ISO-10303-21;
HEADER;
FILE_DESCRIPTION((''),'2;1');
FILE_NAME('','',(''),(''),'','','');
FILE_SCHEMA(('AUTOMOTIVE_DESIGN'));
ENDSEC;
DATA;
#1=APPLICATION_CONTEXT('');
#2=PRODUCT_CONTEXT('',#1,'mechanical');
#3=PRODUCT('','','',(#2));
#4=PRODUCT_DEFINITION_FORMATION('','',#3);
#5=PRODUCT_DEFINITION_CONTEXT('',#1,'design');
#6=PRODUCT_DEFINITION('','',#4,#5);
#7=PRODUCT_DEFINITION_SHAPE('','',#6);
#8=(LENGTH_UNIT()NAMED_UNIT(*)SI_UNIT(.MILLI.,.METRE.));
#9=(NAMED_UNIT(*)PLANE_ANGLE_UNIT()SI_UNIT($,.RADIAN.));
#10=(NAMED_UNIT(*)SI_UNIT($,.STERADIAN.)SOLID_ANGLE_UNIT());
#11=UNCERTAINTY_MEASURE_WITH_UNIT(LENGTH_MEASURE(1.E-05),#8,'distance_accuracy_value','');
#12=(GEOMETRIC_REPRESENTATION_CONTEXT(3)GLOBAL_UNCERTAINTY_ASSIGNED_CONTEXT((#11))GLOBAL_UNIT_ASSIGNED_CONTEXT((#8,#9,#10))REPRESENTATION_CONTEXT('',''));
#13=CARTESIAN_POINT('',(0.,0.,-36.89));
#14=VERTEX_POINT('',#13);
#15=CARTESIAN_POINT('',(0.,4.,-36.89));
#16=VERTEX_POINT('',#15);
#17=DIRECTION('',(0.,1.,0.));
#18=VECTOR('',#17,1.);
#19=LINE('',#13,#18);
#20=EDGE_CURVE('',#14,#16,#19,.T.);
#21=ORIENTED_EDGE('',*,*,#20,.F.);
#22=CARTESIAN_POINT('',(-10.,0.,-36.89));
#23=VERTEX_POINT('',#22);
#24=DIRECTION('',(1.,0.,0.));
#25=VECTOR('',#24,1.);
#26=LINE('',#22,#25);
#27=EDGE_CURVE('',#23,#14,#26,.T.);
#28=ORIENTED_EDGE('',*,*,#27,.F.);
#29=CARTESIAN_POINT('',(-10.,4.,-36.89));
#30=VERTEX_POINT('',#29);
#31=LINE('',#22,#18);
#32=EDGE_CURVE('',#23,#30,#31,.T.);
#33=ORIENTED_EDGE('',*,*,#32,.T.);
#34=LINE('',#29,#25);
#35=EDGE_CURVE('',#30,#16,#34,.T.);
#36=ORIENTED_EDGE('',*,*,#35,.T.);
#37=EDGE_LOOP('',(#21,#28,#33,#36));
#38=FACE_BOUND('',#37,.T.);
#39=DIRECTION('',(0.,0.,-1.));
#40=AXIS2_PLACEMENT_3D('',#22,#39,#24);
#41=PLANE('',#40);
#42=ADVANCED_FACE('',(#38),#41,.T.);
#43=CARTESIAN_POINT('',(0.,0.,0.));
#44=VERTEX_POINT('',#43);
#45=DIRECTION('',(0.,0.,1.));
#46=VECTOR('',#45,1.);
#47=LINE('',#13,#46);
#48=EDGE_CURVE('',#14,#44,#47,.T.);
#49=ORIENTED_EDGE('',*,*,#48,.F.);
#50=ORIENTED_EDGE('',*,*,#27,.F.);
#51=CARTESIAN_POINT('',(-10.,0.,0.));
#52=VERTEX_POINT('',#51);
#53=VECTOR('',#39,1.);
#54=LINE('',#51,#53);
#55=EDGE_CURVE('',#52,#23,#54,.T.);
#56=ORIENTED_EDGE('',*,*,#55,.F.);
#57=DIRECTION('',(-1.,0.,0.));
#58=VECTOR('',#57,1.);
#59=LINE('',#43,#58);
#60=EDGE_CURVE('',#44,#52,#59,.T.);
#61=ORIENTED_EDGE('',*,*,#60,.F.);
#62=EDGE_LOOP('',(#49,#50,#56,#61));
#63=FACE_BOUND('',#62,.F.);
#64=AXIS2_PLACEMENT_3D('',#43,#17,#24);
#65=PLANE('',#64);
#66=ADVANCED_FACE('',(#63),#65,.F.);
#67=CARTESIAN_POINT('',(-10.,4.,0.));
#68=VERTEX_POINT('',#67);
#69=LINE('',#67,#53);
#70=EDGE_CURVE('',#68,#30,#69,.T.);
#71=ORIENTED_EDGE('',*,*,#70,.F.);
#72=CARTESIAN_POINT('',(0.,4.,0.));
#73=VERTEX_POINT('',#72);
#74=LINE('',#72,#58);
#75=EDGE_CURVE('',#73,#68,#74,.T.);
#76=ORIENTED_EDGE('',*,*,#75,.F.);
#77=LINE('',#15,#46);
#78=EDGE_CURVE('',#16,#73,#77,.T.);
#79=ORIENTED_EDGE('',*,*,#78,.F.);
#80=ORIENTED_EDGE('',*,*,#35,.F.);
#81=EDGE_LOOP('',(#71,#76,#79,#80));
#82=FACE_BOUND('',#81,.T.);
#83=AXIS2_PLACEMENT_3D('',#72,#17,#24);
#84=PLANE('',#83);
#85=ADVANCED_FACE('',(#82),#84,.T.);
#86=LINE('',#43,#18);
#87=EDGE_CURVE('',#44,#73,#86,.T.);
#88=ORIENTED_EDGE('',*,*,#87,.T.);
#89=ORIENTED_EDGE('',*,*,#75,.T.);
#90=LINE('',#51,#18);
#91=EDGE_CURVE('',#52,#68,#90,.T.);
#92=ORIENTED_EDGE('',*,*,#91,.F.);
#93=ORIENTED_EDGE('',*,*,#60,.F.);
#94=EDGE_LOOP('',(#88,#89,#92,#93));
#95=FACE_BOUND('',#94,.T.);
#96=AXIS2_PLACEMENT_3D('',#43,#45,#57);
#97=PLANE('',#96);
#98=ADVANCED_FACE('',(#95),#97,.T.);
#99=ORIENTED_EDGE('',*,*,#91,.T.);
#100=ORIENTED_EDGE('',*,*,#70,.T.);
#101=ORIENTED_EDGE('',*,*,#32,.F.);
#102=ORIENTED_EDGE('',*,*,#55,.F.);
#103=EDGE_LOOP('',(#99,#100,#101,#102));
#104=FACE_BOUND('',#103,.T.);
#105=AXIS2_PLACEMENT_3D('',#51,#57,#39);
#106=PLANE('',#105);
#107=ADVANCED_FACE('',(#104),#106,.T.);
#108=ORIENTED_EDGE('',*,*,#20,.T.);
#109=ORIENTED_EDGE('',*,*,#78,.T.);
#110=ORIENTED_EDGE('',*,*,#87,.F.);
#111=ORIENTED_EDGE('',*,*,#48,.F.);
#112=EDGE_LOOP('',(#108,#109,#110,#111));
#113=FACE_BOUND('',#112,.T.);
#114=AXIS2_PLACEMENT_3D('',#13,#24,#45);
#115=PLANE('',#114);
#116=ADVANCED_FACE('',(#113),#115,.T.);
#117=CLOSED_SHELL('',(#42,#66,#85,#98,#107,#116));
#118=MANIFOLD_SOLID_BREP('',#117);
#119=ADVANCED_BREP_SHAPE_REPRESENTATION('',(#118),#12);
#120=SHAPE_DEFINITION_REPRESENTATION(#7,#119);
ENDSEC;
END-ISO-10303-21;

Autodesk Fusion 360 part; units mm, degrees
sketch "Sketch1" plane through (0, 0, 0) normal (0, 1, 0) x (1, 0, 0)
  line L0 (0, 0) -> (-10, 0)
  line L1 (-10, 0) -> (-10, 36.89)
  line L2 (-10, 36.89) -> (0, 36.89)
  line L3 (0, 36.89) -> (0, 0)
  dimension "d1" = 10
  dimension "d2" = 36.89
extrude "Extrude1" add sketch "Sketch1" along normal blind 4
